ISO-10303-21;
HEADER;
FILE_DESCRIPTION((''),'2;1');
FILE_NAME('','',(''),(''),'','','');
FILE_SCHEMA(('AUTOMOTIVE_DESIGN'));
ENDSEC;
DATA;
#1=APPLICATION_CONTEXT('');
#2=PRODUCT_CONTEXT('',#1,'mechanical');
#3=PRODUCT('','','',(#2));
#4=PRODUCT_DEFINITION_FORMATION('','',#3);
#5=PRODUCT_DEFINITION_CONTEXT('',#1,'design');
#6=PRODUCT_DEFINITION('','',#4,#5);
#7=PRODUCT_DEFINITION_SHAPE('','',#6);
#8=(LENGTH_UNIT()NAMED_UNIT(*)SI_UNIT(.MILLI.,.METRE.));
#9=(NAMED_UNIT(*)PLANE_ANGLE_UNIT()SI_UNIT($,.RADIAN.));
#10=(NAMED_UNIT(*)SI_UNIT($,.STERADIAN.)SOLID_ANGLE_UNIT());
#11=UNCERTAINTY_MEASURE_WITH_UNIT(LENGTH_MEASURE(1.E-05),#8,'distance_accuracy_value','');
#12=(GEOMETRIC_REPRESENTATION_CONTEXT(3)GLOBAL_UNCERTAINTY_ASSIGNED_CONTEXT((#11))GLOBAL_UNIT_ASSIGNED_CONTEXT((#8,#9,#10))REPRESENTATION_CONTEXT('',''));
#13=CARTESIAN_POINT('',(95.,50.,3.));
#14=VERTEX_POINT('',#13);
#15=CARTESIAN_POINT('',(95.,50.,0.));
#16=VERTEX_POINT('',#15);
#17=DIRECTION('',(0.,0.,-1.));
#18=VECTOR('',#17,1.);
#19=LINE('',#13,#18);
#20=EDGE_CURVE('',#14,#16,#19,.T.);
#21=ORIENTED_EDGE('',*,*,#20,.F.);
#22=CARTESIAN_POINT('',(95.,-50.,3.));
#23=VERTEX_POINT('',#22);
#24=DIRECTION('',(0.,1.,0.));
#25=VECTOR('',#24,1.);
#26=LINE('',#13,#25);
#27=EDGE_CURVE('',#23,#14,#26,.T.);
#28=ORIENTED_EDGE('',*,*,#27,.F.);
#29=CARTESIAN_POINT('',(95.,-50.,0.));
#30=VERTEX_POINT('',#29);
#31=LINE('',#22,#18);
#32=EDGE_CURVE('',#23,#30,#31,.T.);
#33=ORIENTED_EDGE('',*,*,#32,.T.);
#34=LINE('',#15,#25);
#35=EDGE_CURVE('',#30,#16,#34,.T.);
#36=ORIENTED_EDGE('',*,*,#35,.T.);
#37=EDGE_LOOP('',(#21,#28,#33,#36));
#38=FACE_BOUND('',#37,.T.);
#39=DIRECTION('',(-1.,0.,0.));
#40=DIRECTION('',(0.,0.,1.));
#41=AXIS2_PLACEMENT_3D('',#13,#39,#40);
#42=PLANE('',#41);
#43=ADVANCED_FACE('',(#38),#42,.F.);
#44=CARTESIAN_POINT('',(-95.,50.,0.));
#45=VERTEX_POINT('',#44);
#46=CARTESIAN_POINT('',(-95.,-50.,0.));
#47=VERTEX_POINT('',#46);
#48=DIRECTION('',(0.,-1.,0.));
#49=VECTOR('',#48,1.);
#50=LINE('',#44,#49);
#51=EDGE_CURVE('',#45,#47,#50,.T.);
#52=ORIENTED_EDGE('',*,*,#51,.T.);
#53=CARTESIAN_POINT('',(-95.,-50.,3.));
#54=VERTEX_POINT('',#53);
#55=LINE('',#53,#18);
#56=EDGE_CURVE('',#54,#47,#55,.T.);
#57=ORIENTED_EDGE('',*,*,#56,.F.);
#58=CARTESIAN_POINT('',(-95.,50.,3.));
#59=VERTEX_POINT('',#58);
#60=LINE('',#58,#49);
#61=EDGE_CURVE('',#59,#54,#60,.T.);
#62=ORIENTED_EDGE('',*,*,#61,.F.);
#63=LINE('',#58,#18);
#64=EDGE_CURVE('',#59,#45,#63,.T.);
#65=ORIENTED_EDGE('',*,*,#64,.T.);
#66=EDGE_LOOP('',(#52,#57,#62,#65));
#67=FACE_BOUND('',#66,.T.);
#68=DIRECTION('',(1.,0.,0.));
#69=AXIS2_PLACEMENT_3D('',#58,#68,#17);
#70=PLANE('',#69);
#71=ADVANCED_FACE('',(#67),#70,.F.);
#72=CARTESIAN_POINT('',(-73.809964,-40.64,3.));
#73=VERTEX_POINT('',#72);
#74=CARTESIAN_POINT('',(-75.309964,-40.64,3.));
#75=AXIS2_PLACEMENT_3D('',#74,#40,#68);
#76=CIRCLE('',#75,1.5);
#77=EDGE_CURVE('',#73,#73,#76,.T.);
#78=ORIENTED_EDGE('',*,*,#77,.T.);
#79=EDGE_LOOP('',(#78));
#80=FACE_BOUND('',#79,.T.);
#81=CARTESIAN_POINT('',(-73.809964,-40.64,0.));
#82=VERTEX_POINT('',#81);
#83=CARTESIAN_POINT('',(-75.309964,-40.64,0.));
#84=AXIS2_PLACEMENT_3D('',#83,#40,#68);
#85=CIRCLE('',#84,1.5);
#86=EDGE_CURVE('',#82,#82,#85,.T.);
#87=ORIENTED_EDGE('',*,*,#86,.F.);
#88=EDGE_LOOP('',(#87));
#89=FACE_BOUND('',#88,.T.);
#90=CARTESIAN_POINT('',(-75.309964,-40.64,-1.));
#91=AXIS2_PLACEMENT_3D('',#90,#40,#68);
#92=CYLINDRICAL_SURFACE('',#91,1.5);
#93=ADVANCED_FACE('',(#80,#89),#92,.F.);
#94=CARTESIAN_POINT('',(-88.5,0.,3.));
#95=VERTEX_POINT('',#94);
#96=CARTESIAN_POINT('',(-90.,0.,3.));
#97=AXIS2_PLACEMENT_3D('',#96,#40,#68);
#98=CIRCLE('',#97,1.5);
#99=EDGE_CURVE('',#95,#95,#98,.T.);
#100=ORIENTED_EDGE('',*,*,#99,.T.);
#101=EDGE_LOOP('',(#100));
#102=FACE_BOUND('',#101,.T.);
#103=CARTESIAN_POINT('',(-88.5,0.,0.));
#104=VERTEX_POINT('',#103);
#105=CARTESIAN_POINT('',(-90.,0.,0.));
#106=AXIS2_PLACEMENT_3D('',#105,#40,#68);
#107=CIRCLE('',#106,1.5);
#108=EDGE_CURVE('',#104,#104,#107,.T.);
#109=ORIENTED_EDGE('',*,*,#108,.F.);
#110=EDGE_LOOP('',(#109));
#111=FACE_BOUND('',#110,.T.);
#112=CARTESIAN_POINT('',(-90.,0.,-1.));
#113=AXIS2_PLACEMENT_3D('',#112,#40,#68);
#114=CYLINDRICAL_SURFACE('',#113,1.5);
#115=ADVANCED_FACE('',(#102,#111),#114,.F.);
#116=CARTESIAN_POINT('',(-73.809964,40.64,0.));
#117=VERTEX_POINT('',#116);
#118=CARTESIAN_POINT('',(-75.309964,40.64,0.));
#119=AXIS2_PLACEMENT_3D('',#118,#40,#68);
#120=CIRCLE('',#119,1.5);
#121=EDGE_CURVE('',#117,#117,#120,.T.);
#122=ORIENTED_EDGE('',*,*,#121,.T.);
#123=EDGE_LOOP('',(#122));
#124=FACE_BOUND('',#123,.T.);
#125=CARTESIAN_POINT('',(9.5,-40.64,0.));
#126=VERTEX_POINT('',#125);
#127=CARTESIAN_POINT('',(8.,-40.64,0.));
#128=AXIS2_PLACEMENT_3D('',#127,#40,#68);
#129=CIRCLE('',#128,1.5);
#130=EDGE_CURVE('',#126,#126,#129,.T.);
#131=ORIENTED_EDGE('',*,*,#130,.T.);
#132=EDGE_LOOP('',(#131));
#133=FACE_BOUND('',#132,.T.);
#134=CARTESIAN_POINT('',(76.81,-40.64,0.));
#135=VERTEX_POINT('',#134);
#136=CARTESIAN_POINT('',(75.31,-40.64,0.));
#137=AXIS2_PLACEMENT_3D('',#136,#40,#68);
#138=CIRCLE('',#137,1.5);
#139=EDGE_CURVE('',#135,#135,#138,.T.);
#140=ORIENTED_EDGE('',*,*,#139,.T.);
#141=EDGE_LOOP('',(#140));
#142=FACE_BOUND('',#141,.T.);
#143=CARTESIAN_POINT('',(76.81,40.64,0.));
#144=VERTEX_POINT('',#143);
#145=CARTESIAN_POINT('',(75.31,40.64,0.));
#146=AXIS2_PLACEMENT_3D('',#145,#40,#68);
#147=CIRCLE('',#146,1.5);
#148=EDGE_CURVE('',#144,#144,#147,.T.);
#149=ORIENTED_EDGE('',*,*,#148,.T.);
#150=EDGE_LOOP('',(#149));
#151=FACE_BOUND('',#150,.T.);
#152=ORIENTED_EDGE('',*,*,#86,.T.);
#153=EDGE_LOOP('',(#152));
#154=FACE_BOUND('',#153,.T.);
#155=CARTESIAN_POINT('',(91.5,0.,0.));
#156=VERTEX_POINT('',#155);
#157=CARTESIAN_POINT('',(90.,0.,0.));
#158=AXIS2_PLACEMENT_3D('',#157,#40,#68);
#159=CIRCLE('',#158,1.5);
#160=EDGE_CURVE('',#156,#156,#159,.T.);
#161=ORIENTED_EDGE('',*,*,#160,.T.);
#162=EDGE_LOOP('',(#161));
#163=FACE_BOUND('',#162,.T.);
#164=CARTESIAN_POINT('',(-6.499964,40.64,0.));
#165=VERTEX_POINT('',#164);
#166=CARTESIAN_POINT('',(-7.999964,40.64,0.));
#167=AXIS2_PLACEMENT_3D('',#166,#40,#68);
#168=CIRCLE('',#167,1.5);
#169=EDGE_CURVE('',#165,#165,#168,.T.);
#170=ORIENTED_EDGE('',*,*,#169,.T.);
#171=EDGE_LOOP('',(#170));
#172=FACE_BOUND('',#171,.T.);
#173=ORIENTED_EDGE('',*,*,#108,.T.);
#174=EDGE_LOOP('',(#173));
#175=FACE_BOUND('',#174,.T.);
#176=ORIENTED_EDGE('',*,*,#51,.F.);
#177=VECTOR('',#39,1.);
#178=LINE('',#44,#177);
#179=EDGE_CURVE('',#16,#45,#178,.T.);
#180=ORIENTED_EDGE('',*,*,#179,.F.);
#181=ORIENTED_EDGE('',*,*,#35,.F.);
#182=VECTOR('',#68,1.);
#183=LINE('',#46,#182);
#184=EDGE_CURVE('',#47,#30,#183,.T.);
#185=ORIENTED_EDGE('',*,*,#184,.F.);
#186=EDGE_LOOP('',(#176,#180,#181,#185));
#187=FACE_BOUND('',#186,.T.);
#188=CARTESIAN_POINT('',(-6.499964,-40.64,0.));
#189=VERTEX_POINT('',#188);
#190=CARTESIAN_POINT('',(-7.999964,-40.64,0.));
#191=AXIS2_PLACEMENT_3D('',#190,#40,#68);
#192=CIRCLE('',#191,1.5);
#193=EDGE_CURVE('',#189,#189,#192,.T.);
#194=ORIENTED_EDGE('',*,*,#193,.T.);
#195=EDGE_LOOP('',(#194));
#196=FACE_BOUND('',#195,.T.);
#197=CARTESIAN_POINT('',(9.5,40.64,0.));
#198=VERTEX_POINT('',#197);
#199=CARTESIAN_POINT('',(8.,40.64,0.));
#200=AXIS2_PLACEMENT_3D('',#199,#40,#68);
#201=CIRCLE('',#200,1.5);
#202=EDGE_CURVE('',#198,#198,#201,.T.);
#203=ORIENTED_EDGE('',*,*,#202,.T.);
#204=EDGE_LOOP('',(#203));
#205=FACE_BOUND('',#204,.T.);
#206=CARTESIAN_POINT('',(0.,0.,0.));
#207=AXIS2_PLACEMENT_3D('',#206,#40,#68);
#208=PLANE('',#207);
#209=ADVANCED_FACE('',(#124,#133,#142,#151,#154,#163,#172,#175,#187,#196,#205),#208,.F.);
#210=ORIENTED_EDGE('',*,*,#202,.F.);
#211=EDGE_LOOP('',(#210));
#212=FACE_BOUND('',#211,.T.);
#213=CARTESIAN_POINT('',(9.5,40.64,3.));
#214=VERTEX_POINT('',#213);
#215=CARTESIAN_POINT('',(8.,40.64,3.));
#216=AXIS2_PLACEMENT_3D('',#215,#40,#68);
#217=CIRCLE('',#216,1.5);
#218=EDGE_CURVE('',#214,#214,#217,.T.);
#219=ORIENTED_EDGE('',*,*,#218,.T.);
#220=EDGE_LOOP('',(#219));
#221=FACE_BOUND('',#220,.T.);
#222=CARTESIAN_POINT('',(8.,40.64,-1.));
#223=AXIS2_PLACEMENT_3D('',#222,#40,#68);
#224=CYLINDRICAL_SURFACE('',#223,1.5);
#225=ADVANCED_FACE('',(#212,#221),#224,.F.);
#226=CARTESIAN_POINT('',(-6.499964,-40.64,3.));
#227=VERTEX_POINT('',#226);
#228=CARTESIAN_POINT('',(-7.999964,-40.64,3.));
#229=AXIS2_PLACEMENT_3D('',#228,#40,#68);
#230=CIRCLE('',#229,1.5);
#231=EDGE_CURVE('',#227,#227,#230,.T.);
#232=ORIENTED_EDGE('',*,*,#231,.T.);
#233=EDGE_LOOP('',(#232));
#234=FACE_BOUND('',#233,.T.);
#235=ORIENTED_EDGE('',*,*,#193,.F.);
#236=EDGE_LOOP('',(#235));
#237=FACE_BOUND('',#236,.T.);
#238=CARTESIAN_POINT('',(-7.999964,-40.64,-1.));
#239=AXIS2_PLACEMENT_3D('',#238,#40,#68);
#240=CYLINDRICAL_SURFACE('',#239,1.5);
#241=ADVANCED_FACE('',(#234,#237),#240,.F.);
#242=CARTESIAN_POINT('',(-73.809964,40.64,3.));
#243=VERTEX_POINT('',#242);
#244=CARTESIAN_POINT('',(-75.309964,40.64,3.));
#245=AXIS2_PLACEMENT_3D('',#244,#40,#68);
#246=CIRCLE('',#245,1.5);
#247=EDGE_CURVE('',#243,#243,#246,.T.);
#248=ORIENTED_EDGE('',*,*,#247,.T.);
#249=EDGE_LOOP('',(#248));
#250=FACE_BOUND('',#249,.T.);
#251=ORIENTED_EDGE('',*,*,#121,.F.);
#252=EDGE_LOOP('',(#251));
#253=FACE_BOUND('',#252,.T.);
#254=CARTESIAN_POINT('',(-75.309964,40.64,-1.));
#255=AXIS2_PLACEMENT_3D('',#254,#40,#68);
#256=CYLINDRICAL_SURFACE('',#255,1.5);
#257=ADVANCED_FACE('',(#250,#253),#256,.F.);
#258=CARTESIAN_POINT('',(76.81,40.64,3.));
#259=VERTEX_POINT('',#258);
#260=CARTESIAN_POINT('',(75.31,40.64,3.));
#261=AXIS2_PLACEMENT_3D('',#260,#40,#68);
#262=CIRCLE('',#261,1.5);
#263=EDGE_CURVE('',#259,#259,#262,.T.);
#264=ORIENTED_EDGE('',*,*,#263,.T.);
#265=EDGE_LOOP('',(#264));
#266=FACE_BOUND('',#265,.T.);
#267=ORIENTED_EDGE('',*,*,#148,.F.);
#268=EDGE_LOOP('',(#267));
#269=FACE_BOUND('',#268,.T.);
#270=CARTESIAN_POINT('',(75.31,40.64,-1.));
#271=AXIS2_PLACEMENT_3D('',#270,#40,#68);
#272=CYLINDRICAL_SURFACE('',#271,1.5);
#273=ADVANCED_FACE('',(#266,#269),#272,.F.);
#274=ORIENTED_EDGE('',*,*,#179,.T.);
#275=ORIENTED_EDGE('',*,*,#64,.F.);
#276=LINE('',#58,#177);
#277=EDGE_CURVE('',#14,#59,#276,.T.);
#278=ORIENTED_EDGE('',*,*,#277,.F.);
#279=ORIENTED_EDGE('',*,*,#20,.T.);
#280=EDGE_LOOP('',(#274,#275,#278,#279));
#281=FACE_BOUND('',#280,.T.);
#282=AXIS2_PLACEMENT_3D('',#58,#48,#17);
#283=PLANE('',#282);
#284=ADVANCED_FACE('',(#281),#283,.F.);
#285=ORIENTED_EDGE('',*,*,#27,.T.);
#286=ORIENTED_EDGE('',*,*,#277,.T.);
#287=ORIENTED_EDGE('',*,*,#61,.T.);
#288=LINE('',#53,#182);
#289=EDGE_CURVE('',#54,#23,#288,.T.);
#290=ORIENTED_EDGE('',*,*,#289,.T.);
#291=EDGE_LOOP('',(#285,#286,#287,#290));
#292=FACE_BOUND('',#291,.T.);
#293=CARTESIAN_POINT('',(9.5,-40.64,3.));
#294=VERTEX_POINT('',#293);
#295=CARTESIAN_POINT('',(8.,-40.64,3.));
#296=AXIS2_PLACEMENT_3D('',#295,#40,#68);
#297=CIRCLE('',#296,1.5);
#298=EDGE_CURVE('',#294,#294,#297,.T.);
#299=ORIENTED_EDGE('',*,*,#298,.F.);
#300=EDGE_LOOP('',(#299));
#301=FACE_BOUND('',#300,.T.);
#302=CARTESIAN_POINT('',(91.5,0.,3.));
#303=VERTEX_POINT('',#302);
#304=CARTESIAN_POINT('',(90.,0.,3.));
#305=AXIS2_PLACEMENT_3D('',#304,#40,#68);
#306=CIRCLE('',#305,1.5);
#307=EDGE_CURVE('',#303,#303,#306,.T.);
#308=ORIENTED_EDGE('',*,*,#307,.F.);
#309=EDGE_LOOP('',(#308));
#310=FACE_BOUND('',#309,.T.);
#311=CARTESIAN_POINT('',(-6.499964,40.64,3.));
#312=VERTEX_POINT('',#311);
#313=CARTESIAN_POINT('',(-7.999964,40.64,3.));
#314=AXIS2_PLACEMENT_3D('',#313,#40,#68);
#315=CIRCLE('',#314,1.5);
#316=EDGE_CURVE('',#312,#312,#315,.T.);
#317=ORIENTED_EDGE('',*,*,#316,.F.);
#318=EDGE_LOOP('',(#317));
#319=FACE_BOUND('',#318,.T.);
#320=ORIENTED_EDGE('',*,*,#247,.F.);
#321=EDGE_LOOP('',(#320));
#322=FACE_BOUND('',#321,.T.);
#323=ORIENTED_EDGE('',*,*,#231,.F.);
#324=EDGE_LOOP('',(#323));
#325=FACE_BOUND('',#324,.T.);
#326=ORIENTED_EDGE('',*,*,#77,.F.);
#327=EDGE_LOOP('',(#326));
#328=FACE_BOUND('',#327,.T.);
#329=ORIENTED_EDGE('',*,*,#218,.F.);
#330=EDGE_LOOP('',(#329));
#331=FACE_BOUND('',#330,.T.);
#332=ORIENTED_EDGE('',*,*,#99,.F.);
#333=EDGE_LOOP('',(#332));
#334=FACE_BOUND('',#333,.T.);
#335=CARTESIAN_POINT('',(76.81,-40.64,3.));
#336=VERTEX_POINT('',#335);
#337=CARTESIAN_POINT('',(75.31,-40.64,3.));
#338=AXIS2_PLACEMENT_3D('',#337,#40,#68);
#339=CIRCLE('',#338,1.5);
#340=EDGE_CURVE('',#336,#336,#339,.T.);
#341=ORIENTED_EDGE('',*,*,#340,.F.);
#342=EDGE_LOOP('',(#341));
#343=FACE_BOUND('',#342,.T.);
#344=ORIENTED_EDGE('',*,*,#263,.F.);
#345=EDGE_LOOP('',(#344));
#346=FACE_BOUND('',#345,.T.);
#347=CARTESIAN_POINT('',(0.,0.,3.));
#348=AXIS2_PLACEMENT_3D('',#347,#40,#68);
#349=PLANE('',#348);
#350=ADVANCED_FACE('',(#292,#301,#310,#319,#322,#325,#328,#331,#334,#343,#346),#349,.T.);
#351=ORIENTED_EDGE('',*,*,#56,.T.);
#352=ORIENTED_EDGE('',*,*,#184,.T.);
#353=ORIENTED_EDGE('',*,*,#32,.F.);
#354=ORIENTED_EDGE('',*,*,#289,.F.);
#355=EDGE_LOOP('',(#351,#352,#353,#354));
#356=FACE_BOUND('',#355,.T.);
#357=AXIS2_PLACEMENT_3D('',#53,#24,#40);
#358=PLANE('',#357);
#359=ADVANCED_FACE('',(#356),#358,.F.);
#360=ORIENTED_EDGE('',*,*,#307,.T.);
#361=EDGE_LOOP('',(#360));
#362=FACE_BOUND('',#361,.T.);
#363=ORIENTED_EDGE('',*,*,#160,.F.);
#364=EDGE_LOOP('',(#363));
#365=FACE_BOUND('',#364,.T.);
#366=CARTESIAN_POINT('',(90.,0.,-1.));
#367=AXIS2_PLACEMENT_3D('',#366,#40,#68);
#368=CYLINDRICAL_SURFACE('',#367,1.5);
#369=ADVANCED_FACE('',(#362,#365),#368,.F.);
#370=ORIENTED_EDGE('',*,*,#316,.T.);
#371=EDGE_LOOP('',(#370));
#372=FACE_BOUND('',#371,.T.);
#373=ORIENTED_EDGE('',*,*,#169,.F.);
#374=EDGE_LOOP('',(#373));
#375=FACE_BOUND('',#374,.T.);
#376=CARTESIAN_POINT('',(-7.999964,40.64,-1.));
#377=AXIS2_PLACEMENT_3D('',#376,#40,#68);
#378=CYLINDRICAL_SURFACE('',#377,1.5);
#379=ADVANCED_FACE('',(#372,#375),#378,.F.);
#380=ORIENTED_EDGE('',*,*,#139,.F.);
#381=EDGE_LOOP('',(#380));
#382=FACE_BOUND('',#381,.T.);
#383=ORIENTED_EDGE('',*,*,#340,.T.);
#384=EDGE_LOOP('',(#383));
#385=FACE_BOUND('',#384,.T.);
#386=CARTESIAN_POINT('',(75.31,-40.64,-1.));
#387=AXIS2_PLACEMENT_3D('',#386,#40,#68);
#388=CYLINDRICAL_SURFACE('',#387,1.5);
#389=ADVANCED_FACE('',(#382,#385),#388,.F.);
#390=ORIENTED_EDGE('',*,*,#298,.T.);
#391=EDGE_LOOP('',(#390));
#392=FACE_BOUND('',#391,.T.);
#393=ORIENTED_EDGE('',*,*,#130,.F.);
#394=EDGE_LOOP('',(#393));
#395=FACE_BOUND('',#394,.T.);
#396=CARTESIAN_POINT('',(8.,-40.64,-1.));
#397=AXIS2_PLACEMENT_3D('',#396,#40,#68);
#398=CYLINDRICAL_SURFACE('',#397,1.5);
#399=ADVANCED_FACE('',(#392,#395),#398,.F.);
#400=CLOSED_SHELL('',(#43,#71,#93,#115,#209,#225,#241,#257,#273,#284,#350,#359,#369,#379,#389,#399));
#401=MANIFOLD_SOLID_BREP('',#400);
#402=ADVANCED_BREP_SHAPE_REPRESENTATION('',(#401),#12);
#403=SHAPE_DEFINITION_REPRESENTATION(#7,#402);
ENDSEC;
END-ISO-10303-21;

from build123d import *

# Parameters (mm, degrees)
SKETCH1_W           = 190
SKETCH1_H           = 100
BOSS_EXTRUDE1_DEPTH = 3
SKETCH2_R           = 1.5
CUT_EXTRUDE1_DEPTH  = 4


with BuildPart() as part:
    # Sketch1 → Boss-Extrude1 (new body)
    with BuildSketch(Plane.XY):
        Rectangle(SKETCH1_W, SKETCH1_H)
    extrude(amount=BOSS_EXTRUDE1_DEPTH)

    # Sketch2 → Cut-Extrude1 (cut)
    with BuildSketch(Plane.XY.offset(3)):
        with Locations((-75.309963601, 40.64)):
            Circle(SKETCH2_R)
        with Locations((-75.309963601, -40.64)):
            Circle(SKETCH2_R)
        with Locations((-7.999963601, 40.64)):
            Circle(SKETCH2_R)
        with Locations((-7.999963601, -40.64)):
            Circle(SKETCH2_R)
        with Locations((8, 40.64)):
            Circle(SKETCH2_R)
        with Locations((75.31, 40.64)):
            Circle(SKETCH2_R)
        with Locations((75.31, -40.64)):
            Circle(SKETCH2_R)
        with Locations((8, -40.64)):
            Circle(SKETCH2_R)
        with Locations((-90, 0)):
            Circle(SKETCH2_R)
        with Locations((90, 0)):
            Circle(SKETCH2_R)
    extrude(amount=-CUT_EXTRUDE1_DEPTH, mode=Mode.SUBTRACT)


solid = part.part
